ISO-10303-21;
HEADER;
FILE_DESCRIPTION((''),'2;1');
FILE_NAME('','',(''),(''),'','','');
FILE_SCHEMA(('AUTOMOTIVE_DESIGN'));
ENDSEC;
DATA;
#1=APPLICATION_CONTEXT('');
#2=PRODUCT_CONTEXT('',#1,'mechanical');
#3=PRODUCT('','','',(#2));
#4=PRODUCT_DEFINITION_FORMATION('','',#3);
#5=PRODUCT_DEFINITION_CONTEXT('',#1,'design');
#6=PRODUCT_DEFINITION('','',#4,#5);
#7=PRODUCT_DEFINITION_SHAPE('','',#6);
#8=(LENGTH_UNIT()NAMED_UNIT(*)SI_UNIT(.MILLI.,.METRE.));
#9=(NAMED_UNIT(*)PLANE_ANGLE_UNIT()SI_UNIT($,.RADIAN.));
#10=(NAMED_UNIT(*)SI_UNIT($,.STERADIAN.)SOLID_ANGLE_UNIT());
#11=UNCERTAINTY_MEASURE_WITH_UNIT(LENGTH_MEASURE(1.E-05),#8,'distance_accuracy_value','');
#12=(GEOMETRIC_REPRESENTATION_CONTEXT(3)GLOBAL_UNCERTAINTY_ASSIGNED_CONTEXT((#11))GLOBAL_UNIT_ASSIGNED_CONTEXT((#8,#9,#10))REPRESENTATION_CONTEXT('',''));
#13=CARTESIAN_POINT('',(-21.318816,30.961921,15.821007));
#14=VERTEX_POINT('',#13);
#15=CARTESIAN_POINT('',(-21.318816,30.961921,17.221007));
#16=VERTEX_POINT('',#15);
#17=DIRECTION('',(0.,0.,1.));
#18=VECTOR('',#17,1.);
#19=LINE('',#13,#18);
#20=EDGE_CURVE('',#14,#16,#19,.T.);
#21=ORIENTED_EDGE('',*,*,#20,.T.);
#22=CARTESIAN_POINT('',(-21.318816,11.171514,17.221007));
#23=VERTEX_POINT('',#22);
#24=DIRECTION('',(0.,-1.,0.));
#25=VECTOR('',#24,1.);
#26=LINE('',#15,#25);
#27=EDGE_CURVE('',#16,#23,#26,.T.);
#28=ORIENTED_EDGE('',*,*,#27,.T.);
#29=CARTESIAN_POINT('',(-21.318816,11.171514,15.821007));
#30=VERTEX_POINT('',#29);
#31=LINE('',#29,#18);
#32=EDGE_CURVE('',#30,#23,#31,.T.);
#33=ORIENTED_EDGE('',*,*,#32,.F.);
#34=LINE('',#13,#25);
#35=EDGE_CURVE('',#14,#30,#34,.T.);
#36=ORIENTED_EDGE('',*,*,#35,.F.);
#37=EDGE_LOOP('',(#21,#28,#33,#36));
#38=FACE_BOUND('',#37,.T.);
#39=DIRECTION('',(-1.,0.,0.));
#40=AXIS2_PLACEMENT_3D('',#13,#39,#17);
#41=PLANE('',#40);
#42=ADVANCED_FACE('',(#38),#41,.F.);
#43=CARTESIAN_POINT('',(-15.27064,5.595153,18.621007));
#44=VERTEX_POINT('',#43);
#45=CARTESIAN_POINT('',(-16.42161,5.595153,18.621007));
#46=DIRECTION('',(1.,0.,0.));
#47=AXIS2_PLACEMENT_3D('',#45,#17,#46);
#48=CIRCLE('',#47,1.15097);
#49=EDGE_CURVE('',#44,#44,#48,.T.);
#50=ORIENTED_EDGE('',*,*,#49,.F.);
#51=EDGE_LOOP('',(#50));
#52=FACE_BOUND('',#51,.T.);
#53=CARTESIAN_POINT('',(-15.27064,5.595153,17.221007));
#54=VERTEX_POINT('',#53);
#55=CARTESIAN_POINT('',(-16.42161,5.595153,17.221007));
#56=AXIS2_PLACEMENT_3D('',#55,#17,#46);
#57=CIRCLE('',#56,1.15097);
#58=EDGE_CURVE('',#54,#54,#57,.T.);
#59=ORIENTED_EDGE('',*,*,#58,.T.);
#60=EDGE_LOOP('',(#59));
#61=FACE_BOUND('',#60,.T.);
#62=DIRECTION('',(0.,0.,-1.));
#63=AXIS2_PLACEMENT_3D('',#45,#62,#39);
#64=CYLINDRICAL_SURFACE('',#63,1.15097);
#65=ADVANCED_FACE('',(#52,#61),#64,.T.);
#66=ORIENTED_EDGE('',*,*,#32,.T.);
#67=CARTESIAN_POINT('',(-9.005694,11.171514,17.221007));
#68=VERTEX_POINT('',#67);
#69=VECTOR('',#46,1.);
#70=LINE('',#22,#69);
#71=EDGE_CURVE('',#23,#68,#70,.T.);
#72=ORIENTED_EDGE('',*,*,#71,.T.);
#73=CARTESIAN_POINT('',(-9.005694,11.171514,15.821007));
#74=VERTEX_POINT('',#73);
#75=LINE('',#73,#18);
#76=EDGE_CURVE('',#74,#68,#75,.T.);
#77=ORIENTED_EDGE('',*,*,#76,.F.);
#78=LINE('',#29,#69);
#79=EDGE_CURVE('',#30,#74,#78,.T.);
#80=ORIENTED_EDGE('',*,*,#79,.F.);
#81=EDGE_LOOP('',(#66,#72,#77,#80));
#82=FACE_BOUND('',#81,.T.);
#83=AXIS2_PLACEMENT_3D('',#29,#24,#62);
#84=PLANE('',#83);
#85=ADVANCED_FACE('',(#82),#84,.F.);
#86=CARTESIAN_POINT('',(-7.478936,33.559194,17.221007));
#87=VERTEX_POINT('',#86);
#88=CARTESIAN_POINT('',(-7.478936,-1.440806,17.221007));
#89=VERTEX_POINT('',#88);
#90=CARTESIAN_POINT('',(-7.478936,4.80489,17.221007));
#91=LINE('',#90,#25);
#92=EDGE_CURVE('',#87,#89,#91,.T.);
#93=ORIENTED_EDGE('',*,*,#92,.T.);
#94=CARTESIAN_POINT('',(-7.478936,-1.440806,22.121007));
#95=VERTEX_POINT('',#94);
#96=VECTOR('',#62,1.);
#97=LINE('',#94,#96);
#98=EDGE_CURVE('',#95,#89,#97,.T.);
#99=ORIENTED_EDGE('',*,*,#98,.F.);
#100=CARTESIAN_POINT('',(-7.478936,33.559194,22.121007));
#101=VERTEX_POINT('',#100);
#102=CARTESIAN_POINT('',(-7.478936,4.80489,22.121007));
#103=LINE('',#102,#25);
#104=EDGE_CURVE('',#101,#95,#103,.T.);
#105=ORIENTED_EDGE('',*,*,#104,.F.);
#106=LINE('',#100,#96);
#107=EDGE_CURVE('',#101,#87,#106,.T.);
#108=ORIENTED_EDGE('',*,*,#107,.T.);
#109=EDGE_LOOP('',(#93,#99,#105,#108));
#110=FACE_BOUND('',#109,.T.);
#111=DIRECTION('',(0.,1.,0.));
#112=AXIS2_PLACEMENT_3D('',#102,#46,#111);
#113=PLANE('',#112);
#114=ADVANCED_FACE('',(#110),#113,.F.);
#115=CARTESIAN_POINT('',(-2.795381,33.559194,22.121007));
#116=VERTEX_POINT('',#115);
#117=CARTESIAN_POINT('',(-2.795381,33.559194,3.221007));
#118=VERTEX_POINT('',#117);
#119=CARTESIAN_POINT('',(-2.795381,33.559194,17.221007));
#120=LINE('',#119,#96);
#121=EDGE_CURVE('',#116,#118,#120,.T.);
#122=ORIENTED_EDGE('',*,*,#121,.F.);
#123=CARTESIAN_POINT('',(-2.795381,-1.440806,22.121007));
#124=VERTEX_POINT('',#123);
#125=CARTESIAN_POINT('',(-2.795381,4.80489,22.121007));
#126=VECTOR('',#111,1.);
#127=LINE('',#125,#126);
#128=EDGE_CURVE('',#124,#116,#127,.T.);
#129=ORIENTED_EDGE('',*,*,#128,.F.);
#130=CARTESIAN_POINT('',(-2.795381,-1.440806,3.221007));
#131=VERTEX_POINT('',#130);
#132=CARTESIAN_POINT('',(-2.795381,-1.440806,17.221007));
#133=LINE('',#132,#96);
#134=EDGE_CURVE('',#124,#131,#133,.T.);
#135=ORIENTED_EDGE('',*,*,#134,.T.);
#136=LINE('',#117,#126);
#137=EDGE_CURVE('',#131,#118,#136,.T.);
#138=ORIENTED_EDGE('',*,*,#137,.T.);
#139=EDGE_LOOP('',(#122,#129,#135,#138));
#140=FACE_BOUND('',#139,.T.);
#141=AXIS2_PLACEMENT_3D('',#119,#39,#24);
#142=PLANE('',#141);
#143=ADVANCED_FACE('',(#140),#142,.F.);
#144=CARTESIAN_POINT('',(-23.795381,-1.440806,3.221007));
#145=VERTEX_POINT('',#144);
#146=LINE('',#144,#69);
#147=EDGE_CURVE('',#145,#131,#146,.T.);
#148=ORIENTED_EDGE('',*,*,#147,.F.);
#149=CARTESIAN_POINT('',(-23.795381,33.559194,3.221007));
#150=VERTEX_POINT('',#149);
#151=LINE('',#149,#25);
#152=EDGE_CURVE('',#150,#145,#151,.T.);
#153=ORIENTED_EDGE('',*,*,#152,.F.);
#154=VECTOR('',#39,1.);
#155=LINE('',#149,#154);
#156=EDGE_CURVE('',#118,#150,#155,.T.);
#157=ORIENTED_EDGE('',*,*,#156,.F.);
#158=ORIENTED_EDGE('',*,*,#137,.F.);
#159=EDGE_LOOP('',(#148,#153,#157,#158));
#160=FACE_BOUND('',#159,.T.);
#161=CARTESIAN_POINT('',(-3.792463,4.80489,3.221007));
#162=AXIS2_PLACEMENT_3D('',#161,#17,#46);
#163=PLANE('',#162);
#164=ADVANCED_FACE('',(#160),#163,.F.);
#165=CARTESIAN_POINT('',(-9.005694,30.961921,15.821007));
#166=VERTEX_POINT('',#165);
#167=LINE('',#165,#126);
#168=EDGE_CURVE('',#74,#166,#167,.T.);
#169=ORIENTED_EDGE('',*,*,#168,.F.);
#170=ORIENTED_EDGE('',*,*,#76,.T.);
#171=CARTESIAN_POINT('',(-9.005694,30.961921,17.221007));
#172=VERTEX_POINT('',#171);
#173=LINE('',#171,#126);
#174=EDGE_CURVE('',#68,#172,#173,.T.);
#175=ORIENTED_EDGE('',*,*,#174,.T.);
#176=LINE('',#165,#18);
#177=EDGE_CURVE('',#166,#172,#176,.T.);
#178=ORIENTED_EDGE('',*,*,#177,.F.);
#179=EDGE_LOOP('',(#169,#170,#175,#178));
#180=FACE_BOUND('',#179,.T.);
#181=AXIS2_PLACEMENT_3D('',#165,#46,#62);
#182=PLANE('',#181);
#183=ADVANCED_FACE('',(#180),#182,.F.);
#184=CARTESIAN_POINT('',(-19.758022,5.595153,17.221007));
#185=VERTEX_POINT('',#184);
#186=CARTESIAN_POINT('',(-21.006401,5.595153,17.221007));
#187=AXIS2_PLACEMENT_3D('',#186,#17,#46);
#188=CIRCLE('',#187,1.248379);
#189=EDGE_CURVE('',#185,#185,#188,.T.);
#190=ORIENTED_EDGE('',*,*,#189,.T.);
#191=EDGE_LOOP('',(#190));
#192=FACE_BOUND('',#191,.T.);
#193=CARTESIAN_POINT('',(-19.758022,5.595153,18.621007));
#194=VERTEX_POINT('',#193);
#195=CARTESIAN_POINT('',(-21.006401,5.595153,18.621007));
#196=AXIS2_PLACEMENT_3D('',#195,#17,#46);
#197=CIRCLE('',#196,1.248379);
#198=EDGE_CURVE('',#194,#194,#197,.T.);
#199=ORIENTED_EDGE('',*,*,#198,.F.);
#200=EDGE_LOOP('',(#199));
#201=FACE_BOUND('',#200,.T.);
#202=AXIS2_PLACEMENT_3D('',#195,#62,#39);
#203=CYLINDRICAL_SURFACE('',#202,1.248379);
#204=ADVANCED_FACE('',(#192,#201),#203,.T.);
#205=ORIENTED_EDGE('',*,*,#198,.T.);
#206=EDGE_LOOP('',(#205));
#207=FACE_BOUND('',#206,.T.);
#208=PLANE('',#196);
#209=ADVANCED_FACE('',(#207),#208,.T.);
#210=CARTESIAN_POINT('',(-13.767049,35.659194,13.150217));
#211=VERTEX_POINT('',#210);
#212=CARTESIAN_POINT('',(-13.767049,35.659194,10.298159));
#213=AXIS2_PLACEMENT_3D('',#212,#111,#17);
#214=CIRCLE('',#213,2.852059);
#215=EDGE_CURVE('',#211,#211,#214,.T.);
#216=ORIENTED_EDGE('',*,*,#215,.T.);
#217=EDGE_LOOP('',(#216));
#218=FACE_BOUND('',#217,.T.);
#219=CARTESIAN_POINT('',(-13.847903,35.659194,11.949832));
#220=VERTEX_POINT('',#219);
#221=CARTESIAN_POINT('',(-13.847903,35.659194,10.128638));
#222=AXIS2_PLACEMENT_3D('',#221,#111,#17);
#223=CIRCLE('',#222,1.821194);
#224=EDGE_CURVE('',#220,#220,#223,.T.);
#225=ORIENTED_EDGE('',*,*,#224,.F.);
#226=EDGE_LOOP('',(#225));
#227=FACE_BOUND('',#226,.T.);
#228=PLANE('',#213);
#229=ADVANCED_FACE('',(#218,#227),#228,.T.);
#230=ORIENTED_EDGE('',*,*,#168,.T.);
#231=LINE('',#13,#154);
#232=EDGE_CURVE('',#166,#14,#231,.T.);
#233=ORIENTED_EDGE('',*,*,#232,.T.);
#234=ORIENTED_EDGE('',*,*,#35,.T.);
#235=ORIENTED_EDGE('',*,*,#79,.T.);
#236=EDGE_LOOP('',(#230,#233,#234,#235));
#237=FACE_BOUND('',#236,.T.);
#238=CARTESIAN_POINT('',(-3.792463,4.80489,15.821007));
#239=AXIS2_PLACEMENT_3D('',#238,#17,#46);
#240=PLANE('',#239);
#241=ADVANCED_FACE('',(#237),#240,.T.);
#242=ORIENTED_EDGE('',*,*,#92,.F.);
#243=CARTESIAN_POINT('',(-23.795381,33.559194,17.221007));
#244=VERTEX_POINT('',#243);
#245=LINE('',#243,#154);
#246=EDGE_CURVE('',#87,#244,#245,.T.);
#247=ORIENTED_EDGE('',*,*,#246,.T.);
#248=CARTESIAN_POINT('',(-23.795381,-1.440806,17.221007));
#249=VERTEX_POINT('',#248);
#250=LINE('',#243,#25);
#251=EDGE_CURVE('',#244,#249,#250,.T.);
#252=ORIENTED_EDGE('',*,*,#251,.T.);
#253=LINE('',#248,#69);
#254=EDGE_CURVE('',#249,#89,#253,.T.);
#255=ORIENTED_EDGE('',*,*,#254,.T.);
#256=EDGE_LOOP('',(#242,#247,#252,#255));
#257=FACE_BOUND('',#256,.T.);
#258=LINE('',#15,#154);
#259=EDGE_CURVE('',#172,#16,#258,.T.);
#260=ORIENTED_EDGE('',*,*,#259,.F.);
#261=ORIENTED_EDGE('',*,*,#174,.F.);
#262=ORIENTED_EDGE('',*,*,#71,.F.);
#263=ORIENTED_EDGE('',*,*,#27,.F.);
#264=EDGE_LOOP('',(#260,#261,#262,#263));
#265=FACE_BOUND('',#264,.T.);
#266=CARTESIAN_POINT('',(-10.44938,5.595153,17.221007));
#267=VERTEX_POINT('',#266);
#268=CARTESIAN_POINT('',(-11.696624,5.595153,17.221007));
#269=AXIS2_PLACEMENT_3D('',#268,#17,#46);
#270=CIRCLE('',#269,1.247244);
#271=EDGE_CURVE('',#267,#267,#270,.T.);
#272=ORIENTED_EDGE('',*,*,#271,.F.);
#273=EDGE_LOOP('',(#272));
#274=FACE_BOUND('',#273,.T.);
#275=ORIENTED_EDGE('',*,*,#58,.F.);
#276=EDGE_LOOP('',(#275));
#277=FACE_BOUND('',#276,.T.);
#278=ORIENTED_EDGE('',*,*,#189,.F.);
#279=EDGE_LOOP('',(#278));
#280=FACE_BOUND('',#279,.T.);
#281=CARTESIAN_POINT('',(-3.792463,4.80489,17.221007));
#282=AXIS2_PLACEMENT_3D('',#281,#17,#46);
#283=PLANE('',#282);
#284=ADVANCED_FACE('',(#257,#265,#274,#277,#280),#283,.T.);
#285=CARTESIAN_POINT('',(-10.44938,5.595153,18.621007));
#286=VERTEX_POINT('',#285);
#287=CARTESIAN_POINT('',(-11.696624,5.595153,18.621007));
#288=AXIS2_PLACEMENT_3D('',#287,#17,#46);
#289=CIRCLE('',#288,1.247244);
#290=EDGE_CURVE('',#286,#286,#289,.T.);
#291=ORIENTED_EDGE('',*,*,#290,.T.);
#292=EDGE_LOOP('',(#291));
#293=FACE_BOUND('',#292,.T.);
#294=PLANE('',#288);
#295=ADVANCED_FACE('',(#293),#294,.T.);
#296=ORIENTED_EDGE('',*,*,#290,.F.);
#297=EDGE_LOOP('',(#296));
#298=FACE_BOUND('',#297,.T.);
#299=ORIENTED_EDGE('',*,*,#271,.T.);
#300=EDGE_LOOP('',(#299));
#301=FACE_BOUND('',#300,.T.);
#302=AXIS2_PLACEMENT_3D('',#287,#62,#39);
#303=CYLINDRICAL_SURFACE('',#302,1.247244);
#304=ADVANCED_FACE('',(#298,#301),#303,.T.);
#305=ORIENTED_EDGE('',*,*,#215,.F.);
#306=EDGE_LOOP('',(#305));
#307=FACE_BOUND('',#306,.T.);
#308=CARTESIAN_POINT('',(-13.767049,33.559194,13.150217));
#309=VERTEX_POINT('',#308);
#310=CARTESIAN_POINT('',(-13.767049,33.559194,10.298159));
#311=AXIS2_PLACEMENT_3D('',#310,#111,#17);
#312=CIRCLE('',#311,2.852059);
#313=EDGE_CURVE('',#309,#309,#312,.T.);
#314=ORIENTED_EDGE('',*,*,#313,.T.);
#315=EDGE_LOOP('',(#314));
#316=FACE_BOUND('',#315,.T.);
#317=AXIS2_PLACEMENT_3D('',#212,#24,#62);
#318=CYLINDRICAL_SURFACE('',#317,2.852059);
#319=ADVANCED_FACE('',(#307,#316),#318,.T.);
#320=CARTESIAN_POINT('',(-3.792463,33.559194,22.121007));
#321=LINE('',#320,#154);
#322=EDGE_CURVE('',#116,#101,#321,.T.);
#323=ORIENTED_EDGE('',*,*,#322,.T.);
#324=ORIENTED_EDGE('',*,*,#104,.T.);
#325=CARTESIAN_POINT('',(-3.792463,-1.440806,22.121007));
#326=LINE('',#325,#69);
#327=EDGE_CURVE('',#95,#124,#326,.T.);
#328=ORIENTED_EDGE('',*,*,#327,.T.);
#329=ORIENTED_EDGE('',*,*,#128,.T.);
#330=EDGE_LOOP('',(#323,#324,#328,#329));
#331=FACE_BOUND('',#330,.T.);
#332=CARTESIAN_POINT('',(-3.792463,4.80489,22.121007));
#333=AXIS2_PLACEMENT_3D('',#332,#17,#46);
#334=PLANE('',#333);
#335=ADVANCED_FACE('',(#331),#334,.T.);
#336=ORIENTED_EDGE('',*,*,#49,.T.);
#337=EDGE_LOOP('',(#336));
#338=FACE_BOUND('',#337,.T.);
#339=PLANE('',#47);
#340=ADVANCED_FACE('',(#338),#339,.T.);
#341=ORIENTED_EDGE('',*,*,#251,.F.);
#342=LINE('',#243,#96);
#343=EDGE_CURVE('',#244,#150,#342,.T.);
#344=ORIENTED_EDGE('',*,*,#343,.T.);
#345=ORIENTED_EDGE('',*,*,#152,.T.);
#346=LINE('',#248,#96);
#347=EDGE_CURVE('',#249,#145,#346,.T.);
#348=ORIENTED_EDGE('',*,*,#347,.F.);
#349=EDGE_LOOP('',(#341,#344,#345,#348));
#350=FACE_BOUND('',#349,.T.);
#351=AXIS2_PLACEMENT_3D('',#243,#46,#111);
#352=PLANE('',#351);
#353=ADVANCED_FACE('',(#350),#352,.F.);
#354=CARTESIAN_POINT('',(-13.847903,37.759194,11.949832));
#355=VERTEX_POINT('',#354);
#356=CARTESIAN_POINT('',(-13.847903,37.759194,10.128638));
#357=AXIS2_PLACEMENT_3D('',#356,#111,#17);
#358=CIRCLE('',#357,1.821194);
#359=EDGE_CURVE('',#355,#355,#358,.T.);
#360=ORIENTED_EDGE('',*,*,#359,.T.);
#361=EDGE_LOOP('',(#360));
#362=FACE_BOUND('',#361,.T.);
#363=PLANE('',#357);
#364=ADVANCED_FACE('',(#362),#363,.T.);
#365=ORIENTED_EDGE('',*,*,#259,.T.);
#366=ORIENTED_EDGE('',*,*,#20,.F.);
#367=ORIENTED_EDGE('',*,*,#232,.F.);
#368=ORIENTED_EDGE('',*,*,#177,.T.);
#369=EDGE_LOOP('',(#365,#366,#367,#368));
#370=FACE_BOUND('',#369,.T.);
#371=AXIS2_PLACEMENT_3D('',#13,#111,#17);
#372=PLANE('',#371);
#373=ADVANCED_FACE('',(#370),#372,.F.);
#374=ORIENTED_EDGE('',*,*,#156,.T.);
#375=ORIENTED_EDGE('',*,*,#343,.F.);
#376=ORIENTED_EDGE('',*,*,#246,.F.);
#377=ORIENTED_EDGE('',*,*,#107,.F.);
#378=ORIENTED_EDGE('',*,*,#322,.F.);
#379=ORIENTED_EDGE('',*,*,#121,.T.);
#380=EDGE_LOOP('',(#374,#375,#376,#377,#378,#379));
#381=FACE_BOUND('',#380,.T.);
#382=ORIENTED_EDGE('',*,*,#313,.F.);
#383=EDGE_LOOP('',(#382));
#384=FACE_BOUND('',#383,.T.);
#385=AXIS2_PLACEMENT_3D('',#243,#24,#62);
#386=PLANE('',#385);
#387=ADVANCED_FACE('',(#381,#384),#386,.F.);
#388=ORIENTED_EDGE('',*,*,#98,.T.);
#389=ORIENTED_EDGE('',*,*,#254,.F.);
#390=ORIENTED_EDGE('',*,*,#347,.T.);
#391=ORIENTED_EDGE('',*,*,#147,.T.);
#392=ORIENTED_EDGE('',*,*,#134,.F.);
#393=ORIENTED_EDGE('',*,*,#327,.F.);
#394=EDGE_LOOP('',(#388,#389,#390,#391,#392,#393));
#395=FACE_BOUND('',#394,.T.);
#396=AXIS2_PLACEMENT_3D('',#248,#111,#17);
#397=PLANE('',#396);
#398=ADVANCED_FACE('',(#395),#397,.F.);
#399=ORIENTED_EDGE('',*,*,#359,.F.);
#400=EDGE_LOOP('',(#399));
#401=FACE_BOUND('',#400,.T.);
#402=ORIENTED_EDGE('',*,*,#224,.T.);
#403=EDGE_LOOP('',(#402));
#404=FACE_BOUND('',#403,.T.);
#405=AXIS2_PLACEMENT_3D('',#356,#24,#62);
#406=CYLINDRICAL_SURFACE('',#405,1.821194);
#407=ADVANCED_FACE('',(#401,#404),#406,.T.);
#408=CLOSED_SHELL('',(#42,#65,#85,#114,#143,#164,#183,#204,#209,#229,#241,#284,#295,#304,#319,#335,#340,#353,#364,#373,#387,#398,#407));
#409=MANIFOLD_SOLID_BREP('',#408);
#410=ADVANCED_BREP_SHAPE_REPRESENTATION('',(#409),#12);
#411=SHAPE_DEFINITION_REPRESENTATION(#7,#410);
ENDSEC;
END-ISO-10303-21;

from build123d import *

# Parameters (mm, degrees)
SKETCH1_W           = 30
SKETCH1_H           = 50
BOSS_EXTRUDE1_DEPTH = 20
SKETCH2_W           = 17.590174706
SKETCH2_H           = 28.27201044
CUT_EXTRUDE1_DEPTH  = 2
BOSS_EXTRUDE2_DEPTH = 7
SKETCH4_R           = 1.783397986
SKETCH4_R_2         = 1.644242452
SKETCH4_R_3         = 1.78177715
BOSS_EXTRUDE3_DEPTH = 2
SKETCH5_R           = 4.074369341
BOSS_EXTRUDE4_DEPTH = 3
SKETCH6_R           = 2.60170509
BOSS_EXTRUDE5_DEPTH = 3
SCALE1_SCALE        = 0.7


with BuildPart() as part:
    # Sketch1 → Boss-Extrude1 (new body)
    with BuildSketch(Plane.XY):
        with Locations((-13.575598108, 16.077578101)):
            Rectangle(SKETCH1_W, SKETCH1_H)
    extrude(amount=BOSS_EXTRUDE1_DEPTH)

    # Sketch2 → Cut-Extrude1 (cut)
    with BuildSketch(Plane.XY.offset(20)):
        with Locations((-16.242560835, 23.231182823)):
            Rectangle(SKETCH2_W, SKETCH2_H)
    extrude(amount=-CUT_EXTRUDE1_DEPTH, mode=Mode.SUBTRACT)

    # Sketch3 → Boss-Extrude2 (add)
    with BuildSketch(Plane.XY.offset(20)):
        Polygon((-4.548684079, 41.077578101), (-5.266390414, 41.077578101), (-5.266390414, -8.922421899), (1.424401892, -8.922421899), (1.424401892, 41.077578101), align=None)
    extrude(amount=BOSS_EXTRUDE2_DEPTH)

    # Sketch4 → Boss-Extrude3 (add)
    with BuildSketch(Plane.XY.offset(20)):
        with Locations((-24.591340484, 1.128947628)):
            Circle(SKETCH4_R)
        with Locations((-18.041639174, 1.128947628)):
            Circle(SKETCH4_R_2)
        with Locations((-11.291658509, 1.128947628)):
            Circle(SKETCH4_R_3)
    extrude(amount=BOSS_EXTRUDE3_DEPTH)

    # Sketch5 → Boss-Extrude4 (add)
    with BuildSketch(Plane(origin=(0, 41.077578101, 0), x_dir=(1, 0, 0), z_dir=(0, 1, 0))):
        with Locations(Location((-14.24940876, -10.110216384, 0), (0, 0, 270))):
            Circle(SKETCH5_R)
    extrude(amount=BOSS_EXTRUDE4_DEPTH)

    # Sketch6 → Boss-Extrude5 (add)
    with BuildSketch(Plane(origin=(0, 44.077578101, 0), x_dir=(1, 0, 0), z_dir=(0, 1, 0))):
        with Locations(Location((-14.364915038, -9.868044196, 0), (0, 0, 270))):
            Circle(SKETCH6_R)
    extrude(amount=BOSS_EXTRUDE5_DEPTH)


with BuildPart() as part_1:
    # Scale1: scaled about (-12.641542426, 16.016298643, 10.736690586)
    add(part.part.scale(SCALE1_SCALE).moved(Location((-3.792462728, 4.804889593, 3.221007176))))


solid = part_1.part
